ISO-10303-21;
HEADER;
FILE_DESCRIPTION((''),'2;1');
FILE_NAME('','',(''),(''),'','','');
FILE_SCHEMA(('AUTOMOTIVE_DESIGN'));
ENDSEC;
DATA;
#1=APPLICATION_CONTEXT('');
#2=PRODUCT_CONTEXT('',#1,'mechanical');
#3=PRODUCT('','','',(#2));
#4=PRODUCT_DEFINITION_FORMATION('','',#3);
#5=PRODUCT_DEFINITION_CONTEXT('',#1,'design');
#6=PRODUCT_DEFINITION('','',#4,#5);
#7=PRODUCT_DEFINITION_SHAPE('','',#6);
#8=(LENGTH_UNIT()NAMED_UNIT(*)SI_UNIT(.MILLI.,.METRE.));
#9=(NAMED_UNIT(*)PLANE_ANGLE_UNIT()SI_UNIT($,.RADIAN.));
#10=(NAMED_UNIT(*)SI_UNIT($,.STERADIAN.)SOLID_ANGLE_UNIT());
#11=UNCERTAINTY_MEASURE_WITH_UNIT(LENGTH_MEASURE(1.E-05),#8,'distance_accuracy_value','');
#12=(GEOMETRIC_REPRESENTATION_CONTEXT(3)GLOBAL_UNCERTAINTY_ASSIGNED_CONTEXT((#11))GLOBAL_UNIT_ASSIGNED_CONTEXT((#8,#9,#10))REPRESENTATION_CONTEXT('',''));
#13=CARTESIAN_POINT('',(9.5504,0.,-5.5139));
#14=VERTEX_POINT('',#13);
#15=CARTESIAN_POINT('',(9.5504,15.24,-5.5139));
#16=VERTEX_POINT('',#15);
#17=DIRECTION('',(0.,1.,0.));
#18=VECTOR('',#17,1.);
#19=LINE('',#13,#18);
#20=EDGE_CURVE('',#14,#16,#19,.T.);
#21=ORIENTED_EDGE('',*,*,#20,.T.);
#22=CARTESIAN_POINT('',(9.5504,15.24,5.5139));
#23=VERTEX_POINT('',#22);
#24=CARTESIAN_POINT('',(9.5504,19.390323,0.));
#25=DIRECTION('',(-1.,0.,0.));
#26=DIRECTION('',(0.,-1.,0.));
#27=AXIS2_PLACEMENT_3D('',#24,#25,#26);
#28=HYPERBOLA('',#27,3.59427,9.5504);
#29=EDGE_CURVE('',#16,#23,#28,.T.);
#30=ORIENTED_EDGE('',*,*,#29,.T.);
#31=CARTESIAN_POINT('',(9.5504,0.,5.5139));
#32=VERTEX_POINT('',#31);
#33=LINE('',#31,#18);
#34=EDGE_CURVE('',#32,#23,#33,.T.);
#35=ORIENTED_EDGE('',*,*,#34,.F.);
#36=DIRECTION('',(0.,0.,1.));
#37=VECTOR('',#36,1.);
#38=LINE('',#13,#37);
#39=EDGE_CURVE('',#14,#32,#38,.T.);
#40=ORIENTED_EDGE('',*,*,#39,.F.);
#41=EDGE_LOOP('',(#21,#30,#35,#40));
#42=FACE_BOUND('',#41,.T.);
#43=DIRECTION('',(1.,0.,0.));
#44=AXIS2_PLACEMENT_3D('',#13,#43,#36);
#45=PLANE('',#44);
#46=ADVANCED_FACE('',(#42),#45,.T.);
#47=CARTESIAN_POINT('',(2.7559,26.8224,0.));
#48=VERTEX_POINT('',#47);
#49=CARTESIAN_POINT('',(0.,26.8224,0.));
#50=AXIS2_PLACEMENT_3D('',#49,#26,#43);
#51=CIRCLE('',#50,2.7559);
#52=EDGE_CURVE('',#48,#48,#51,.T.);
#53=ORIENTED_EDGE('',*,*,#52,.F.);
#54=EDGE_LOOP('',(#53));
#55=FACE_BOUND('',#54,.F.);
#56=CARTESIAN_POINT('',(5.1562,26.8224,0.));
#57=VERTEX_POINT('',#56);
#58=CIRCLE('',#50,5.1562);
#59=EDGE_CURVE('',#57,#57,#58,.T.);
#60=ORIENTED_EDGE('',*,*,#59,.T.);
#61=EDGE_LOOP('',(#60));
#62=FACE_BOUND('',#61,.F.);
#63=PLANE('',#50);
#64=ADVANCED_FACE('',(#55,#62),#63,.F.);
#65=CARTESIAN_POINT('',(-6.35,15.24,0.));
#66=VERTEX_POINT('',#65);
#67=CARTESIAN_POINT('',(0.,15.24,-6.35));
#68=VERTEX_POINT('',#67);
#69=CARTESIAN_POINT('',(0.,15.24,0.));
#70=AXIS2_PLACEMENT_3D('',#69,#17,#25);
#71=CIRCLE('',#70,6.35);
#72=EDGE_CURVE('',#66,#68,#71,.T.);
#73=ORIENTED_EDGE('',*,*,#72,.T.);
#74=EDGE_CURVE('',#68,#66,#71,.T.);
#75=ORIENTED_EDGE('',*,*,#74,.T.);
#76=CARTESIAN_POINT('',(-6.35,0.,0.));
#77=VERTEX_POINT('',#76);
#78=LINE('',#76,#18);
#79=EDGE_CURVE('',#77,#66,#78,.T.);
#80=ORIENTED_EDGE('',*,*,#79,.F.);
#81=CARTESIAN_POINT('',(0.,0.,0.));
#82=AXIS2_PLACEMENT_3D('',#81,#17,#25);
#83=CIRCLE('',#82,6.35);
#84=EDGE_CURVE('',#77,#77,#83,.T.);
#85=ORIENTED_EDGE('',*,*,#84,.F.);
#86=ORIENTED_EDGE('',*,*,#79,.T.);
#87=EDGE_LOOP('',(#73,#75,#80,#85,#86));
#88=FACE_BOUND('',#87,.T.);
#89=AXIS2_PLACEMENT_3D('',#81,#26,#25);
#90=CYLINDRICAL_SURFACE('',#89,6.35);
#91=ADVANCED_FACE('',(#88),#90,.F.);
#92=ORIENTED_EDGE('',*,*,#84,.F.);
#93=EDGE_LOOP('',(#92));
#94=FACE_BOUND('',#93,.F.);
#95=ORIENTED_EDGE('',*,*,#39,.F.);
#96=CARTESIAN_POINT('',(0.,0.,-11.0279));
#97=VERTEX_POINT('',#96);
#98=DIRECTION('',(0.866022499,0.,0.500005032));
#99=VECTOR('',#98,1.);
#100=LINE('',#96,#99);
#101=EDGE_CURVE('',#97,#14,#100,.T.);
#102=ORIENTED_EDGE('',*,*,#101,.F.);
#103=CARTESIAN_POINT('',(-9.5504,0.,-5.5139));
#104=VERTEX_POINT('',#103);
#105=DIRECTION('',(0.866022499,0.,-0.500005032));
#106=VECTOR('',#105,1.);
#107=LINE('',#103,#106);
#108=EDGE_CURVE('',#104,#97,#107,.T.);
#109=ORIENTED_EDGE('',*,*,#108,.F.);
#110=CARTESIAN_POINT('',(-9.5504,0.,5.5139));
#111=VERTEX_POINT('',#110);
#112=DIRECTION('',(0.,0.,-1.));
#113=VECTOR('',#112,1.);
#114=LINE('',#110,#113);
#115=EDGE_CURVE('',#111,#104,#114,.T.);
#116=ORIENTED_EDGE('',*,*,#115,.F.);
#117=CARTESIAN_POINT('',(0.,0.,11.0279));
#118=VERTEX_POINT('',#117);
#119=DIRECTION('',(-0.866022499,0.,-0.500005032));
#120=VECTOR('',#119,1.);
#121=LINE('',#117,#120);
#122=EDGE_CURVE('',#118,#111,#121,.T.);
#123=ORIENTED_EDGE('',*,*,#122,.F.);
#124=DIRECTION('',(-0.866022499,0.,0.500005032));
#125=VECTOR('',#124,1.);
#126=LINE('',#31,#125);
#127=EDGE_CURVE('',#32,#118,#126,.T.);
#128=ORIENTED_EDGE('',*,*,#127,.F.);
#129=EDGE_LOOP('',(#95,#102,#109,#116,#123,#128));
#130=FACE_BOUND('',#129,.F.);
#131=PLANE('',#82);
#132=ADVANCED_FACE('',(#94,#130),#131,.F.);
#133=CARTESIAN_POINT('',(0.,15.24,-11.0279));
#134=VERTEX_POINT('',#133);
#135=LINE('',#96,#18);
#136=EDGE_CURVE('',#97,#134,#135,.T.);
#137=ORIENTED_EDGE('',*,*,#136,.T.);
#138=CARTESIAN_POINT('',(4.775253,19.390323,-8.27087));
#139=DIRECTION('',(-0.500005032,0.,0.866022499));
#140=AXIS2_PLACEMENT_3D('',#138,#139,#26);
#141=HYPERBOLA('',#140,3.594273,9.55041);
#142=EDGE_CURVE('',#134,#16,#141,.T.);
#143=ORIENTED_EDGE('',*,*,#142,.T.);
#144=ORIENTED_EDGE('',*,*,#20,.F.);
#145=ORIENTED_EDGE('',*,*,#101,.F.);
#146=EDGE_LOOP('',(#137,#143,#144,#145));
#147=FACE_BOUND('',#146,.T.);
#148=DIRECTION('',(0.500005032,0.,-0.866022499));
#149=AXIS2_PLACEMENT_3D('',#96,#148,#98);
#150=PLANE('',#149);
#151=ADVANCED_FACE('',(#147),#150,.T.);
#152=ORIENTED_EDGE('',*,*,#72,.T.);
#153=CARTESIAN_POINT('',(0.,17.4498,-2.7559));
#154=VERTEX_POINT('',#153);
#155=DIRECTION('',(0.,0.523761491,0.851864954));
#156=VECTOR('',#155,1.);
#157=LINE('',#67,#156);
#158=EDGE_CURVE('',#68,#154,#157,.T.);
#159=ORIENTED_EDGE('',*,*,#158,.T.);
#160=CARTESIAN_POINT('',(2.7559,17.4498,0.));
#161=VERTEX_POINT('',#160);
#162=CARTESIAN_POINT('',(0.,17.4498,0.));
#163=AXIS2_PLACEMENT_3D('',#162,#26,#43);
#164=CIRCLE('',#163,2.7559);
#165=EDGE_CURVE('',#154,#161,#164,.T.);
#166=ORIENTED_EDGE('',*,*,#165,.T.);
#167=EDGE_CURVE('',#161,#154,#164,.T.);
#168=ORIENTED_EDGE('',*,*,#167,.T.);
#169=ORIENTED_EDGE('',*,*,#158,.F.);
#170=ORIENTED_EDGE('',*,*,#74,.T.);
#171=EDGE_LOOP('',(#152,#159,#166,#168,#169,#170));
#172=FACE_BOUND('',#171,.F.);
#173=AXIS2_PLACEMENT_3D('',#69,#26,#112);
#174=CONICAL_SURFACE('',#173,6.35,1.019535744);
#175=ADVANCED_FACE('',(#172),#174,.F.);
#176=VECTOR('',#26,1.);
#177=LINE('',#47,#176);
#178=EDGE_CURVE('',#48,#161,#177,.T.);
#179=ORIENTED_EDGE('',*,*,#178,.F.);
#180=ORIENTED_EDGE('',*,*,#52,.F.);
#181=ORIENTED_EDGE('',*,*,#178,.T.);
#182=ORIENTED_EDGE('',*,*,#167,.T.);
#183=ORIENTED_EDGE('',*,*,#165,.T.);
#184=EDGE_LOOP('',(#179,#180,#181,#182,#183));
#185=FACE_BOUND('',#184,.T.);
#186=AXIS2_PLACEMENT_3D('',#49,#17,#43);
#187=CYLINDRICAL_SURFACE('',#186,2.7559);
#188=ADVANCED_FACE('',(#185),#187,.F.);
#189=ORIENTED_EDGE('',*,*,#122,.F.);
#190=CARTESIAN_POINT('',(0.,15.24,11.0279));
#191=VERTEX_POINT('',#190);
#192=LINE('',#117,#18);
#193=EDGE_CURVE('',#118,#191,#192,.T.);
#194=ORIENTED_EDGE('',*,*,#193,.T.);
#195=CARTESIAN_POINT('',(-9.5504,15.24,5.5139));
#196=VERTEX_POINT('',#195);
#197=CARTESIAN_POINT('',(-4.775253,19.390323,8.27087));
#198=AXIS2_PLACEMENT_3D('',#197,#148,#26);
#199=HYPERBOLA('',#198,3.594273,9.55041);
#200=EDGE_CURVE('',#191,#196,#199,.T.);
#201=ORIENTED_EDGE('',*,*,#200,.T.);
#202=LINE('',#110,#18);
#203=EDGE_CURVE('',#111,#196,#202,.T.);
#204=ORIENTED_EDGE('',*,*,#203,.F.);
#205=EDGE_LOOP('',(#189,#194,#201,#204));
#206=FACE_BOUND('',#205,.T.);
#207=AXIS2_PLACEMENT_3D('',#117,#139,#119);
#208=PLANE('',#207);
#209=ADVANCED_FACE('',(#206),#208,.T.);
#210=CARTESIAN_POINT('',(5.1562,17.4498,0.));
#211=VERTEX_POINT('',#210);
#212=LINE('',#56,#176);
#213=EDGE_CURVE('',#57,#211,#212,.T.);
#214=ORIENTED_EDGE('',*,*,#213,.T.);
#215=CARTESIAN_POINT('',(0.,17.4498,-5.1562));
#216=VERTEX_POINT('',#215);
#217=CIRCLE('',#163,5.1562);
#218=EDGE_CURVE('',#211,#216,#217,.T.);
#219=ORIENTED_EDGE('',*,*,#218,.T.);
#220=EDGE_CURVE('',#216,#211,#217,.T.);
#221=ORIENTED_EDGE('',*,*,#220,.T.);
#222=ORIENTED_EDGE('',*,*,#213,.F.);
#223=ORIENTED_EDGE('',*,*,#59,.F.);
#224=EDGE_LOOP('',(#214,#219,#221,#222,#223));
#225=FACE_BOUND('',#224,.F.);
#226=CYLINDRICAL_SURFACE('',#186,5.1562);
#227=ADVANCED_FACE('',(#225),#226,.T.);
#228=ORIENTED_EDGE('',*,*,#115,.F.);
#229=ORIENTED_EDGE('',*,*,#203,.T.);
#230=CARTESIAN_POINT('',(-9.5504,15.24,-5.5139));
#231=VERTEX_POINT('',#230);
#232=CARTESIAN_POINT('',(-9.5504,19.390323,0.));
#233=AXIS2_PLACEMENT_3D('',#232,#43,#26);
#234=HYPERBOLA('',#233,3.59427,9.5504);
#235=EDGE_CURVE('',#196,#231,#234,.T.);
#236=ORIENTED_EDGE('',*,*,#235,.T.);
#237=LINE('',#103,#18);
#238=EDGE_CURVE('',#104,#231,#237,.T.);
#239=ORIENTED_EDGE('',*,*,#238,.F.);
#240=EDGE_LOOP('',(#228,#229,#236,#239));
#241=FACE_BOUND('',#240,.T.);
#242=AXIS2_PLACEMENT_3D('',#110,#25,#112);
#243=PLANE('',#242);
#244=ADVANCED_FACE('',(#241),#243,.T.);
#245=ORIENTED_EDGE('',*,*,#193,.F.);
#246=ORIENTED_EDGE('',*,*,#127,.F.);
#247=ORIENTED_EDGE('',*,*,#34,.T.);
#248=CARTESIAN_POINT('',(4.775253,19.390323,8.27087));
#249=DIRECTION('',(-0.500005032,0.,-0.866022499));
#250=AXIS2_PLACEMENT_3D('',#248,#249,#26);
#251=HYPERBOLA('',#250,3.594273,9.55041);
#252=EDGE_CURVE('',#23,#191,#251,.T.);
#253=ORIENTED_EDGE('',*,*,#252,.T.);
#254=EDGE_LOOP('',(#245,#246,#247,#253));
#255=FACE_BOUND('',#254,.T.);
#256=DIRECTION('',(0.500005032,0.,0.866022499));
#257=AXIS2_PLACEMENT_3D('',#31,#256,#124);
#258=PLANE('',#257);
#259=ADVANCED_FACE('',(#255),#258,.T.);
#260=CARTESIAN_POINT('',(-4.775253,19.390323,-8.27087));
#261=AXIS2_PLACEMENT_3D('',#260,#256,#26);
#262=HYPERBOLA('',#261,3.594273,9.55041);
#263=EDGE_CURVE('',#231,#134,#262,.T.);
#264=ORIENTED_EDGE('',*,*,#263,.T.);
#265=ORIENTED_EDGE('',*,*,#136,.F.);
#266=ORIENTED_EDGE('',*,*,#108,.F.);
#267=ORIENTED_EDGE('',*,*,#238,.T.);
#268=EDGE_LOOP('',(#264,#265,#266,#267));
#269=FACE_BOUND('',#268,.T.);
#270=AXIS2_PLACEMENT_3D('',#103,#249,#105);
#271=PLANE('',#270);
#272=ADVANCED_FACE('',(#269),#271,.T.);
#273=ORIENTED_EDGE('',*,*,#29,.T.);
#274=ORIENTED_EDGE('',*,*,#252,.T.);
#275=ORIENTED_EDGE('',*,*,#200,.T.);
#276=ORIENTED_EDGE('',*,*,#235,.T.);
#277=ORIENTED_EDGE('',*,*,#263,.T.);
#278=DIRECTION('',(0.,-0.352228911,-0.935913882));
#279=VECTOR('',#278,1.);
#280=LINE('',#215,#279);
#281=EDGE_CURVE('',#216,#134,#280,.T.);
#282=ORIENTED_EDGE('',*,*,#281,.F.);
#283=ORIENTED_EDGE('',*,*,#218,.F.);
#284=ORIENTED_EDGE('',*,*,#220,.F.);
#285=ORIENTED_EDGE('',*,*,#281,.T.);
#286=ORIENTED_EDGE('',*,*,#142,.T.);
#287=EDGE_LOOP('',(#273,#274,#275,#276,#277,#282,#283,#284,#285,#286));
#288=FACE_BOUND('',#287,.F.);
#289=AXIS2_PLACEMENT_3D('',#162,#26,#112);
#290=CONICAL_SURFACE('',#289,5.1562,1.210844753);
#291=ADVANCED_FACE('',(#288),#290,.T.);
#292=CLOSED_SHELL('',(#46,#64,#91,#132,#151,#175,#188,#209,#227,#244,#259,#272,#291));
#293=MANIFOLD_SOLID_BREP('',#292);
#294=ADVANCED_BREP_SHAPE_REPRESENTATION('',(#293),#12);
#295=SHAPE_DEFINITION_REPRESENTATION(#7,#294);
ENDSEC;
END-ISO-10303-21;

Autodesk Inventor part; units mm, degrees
ref_plane "YZ Plane" through (0, 0, 0) normal (1, 0, 0) x (0, 1, 0)
ref_plane "XZ Plane" through (0, 0, 0) normal (0, 1, 0) x (-1, 0, 0)
sketch "Sketch1" plane through (0, 0, 0) normal (0, 1, 0) x (-1, 0, 0)
  circle A0 centre (0, 0) radius 9.5504 construction
  line L0 (9.5504, -5.5139) -> (0, -11.0279)
  line L1 (0, -11.0279) -> (-9.5504, -5.5139)
  line L2 (-9.5504, -5.5139) -> (-9.5504, 5.5139)
  line L3 (-9.5504, 5.5139) -> (0, 11.0279)
  line L4 (0, 11.0279) -> (9.5504, 5.5139)
  line L5 (9.5504, 5.5139) -> (9.5504, -5.5139)
  circle A1 centre (0, 0) radius 6.35
  point P0 (9.5504, 0)
  dimension "d0" = 19.1008
  dimension "d1" = 12.7
extrude "Extrusion1" add sketch "Sketch1" along normal blind 15.24
ref_plane "Work Plane1" through (0, 26.8224, 0) normal (0, -1, 0) x (1, 0, 0)
sketch "Sketch2" plane through (0, 26.8224, 0) normal (0, -1, 0) x (1, 0, 0)
  circle A0 centre (0, 0) radius 2.7559
  circle A1 centre (0, 0) radius 5.1562
  dimension "d5" = 5.5118
  dimension "d6" = 10.3124
extrude "Extrusion2" add sketch "Sketch2" along normal blind 9.3726
sketch "Sketch3" plane through (0, 0, 0) normal (1, 0, 0) x (0, 1, 0)
  line L0 (15.24, -11.0279) -> (0, -11.0279) construction
  line L1 (0, -11.0279) -> (0, -6.35) construction
  line L2 (0, -6.35) -> (15.24, -6.35) construction
  line L3 (15.24, -6.35) -> (15.24, -11.0279) construction
  line L4 (0, 11.0279) -> (15.24, 11.0279) construction
  line L5 (15.24, 11.0279) -> (15.24, 6.35) construction
  line L6 (15.24, 6.35) -> (0, 6.35) construction
  line L7 (0, 6.35) -> (0, 11.0279) construction
  line L8 (26.8224, -5.1562) -> (17.4498, -5.1562) construction
  line L9 (17.4498, -5.1562) -> (17.4498, -2.7559) construction
  line L10 (17.4498, -2.7559) -> (26.8224, -2.7559) construction
  line L11 (26.8224, -2.7559) -> (26.8224, -5.1562) construction
  line L12 (17.4498, 5.1562) -> (26.8224, 5.1562) construction
  line L13 (26.8224, 5.1562) -> (26.8224, 2.7559) construction
  line L14 (26.8224, 2.7559) -> (17.4498, 2.7559) construction
  line L15 (17.4498, 2.7559) -> (17.4498, 5.1562) construction
  line L16 (17.4498, 5.1562) -> (17.4498, -5.1562) projected
  line L17 (17.4498, -2.7559) -> (17.4498, -5.1562)
  line L18 (17.4498, -5.1562) -> (15.24, -11.0279)
  line L19 (15.24, -6.35) -> (17.4498, -2.7559)
  line L20 (0, 0) -> (26.8224, 0) construction
  line L21 (15.24, -6.35) -> (15.24, -11.0279)
revolve "Revolution1" add sketch "Sketch3" angle 360 about axis through (0, 0, 0) along (0, 1, 0)
sketch "Sketch4" plane through (0, 0, 0) normal (0, -1, 0) x (1, 0, 0)
  circle A0 centre (0, 0) radius 6.35 construction
  line L0 (9.5504, -5.5139) -> (0, -11.0279) projected
  line L1 (0, -11.0279) -> (-9.5504, -5.5139) projected
  line L2 (-9.5504, -5.5139) -> (-9.5504, 5.5139) projected
  line L3 (-9.5504, 5.5139) -> (0, 11.0279) projected
  line L4 (0, 11.0279) -> (9.5504, 5.5139) projected
  line L5 (9.5504, 5.5139) -> (9.5504, -5.5139) projected
  line L6 (9.5504, 5.5139) -> (0, 11.0279) projected
  circle A1 centre (0, 0) radius 11.0279
extrude "Extrusion3" cut sketch "Sketch4" against normal through all contours A1 L0 | L5 A1 | A1 L1 | L4 A1 | A1 L2 | L3 A1
properties part number "am-2381" material "Brass"
